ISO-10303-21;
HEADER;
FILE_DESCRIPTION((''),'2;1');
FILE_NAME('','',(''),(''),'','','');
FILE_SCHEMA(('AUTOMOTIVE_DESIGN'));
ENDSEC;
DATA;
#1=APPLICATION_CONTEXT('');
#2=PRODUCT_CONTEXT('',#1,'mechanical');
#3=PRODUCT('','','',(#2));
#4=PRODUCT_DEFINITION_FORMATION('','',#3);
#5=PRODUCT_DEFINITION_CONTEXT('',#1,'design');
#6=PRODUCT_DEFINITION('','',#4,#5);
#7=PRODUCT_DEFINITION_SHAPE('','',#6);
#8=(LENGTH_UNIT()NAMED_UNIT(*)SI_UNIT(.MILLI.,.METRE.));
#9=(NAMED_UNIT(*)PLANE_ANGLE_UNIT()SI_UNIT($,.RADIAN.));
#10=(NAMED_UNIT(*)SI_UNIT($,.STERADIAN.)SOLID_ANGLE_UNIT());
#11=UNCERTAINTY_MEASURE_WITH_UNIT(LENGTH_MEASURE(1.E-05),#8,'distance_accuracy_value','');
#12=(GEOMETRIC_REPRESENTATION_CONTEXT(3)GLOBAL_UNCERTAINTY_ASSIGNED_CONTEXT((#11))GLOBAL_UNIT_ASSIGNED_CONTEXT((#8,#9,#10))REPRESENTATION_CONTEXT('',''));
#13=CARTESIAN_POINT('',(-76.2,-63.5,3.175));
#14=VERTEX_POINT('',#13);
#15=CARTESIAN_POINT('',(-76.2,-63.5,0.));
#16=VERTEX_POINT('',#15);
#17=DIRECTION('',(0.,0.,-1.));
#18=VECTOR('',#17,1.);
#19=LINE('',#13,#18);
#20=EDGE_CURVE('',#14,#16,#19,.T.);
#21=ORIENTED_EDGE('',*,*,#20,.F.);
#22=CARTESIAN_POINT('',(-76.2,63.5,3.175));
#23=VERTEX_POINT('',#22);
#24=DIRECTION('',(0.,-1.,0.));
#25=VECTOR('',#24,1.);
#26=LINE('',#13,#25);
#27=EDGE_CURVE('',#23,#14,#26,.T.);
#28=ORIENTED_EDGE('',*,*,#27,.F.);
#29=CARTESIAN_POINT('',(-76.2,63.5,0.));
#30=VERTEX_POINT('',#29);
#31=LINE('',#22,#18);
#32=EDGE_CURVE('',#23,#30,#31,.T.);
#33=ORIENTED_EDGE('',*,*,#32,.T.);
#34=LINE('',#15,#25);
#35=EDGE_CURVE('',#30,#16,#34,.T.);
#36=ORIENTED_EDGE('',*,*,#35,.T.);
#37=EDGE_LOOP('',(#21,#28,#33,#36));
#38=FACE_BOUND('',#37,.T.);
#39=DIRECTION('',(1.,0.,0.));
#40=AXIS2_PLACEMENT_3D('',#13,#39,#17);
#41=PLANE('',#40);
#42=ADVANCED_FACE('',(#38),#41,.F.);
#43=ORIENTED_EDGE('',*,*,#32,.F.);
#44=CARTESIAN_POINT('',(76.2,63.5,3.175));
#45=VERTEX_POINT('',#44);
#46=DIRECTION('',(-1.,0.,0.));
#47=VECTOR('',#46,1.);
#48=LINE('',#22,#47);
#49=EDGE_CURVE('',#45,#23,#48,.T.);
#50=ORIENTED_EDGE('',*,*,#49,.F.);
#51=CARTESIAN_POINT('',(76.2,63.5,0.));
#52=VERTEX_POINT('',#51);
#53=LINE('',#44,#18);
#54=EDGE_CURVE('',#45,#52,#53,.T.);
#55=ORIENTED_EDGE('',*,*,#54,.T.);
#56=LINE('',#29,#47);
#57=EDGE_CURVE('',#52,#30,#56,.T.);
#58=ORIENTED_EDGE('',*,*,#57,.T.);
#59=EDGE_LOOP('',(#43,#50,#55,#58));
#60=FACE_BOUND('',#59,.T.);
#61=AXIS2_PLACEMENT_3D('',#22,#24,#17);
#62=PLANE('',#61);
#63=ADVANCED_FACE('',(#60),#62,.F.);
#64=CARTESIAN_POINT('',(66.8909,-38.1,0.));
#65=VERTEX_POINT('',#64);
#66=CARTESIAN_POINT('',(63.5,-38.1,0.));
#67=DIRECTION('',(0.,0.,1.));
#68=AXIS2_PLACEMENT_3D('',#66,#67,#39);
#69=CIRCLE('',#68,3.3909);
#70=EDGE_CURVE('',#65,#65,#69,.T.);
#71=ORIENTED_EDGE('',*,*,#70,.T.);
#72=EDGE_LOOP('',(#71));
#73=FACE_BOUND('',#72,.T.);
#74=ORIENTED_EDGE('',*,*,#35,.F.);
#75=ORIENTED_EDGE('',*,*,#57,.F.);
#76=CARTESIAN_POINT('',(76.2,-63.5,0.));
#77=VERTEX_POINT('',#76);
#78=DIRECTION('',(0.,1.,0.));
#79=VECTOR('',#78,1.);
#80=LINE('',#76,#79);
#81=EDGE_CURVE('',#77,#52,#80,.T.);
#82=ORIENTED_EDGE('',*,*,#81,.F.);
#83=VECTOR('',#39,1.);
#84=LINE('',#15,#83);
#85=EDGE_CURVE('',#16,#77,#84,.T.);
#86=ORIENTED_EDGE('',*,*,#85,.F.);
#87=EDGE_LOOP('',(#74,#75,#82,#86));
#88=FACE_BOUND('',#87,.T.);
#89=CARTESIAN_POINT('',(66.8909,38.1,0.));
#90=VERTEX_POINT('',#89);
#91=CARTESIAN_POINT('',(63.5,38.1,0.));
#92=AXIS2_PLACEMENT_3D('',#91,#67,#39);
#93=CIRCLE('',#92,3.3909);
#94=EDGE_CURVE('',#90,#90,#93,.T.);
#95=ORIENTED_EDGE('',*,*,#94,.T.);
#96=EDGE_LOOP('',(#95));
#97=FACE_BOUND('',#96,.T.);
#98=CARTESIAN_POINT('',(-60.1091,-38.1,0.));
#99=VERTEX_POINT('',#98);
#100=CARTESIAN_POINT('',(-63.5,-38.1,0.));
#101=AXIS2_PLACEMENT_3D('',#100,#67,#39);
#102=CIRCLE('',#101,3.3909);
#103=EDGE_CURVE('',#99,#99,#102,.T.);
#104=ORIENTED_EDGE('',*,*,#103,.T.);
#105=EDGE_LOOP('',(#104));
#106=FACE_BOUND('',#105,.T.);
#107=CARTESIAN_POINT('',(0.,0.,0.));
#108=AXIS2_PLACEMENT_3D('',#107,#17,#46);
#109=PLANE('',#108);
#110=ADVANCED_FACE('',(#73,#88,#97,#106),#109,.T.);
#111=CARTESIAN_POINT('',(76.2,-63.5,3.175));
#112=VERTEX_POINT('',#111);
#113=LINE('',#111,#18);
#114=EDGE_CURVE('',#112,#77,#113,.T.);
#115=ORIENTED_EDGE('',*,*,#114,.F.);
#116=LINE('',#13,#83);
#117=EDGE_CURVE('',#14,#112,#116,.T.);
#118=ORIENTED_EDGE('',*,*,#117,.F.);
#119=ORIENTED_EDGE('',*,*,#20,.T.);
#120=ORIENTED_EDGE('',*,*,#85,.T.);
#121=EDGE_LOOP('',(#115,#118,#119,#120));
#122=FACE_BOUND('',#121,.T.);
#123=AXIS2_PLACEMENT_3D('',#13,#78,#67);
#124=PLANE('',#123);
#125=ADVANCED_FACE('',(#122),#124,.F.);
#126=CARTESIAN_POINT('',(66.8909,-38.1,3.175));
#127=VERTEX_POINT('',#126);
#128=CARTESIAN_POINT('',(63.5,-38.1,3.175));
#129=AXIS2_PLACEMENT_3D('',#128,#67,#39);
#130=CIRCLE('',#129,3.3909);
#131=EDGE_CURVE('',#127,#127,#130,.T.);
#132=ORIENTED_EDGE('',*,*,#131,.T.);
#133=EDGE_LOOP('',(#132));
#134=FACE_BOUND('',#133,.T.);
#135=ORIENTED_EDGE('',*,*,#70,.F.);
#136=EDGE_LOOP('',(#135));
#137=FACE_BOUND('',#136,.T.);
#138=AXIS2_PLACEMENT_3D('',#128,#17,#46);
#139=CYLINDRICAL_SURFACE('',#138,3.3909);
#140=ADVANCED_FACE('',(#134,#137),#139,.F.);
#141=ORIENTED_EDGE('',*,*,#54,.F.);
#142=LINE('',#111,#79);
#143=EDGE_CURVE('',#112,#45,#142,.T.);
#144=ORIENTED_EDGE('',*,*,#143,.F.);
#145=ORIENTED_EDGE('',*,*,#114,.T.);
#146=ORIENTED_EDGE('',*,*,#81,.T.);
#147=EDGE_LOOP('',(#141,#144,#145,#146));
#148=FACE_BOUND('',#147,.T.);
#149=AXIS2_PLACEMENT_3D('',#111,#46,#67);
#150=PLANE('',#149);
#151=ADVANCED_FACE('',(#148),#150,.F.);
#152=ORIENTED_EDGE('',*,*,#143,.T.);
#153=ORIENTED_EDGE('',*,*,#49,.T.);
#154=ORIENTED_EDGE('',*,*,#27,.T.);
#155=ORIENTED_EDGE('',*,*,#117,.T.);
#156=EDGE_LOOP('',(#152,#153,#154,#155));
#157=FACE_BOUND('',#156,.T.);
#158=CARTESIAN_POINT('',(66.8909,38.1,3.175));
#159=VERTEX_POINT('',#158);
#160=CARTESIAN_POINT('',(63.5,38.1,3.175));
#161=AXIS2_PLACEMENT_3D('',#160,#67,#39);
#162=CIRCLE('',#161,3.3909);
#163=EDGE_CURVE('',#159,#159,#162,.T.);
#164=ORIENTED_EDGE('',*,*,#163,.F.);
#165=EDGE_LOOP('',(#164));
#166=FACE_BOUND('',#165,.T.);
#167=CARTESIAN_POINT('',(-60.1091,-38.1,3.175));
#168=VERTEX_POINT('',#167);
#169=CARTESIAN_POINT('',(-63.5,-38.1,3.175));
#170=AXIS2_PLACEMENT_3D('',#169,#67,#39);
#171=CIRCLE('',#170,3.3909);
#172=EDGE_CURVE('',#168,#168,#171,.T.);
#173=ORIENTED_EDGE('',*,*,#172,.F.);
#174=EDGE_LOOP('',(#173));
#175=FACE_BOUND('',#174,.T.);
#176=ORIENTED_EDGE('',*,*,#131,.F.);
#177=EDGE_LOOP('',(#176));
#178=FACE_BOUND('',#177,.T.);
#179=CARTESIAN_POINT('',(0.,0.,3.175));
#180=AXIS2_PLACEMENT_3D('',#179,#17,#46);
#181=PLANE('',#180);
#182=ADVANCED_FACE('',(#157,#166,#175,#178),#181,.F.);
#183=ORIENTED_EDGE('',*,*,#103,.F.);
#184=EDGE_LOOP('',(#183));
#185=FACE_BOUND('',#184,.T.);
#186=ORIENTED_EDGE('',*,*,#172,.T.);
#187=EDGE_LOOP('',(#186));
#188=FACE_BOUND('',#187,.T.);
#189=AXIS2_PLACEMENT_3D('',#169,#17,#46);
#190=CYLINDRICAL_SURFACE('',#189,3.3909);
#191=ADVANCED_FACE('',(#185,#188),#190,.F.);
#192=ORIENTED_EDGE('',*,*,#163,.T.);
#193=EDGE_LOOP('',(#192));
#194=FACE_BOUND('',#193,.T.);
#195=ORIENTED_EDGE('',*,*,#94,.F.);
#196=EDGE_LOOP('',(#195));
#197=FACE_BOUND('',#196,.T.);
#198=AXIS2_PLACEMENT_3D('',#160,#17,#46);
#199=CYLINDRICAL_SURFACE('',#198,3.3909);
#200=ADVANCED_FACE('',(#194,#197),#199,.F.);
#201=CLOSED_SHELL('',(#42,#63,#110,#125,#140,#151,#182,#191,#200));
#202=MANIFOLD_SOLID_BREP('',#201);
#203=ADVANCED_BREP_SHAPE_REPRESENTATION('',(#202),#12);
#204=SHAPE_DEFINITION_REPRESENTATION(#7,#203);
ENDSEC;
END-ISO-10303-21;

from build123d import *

# Parameters (mm, degrees)
SKETCH1_W           = 152.4
SKETCH1_H           = 127
SKETCH1_R           = 3.3909
BOSS_EXTRUDE1_DEPTH = 3.175


with BuildPart() as part:
    # Sketch1 → Boss-Extrude1 (new body)
    with BuildSketch(Plane.XY):
        Rectangle(SKETCH1_W, SKETCH1_H)
        with Locations((63.5, 38.1)):
            Circle(SKETCH1_R, mode=Mode.SUBTRACT)
        with Locations((63.5, -38.1)):
            Circle(SKETCH1_R, mode=Mode.SUBTRACT)
        with Locations((-63.5, -38.1)):
            Circle(SKETCH1_R, mode=Mode.SUBTRACT)
    extrude(amount=BOSS_EXTRUDE1_DEPTH)


solid = part.part
